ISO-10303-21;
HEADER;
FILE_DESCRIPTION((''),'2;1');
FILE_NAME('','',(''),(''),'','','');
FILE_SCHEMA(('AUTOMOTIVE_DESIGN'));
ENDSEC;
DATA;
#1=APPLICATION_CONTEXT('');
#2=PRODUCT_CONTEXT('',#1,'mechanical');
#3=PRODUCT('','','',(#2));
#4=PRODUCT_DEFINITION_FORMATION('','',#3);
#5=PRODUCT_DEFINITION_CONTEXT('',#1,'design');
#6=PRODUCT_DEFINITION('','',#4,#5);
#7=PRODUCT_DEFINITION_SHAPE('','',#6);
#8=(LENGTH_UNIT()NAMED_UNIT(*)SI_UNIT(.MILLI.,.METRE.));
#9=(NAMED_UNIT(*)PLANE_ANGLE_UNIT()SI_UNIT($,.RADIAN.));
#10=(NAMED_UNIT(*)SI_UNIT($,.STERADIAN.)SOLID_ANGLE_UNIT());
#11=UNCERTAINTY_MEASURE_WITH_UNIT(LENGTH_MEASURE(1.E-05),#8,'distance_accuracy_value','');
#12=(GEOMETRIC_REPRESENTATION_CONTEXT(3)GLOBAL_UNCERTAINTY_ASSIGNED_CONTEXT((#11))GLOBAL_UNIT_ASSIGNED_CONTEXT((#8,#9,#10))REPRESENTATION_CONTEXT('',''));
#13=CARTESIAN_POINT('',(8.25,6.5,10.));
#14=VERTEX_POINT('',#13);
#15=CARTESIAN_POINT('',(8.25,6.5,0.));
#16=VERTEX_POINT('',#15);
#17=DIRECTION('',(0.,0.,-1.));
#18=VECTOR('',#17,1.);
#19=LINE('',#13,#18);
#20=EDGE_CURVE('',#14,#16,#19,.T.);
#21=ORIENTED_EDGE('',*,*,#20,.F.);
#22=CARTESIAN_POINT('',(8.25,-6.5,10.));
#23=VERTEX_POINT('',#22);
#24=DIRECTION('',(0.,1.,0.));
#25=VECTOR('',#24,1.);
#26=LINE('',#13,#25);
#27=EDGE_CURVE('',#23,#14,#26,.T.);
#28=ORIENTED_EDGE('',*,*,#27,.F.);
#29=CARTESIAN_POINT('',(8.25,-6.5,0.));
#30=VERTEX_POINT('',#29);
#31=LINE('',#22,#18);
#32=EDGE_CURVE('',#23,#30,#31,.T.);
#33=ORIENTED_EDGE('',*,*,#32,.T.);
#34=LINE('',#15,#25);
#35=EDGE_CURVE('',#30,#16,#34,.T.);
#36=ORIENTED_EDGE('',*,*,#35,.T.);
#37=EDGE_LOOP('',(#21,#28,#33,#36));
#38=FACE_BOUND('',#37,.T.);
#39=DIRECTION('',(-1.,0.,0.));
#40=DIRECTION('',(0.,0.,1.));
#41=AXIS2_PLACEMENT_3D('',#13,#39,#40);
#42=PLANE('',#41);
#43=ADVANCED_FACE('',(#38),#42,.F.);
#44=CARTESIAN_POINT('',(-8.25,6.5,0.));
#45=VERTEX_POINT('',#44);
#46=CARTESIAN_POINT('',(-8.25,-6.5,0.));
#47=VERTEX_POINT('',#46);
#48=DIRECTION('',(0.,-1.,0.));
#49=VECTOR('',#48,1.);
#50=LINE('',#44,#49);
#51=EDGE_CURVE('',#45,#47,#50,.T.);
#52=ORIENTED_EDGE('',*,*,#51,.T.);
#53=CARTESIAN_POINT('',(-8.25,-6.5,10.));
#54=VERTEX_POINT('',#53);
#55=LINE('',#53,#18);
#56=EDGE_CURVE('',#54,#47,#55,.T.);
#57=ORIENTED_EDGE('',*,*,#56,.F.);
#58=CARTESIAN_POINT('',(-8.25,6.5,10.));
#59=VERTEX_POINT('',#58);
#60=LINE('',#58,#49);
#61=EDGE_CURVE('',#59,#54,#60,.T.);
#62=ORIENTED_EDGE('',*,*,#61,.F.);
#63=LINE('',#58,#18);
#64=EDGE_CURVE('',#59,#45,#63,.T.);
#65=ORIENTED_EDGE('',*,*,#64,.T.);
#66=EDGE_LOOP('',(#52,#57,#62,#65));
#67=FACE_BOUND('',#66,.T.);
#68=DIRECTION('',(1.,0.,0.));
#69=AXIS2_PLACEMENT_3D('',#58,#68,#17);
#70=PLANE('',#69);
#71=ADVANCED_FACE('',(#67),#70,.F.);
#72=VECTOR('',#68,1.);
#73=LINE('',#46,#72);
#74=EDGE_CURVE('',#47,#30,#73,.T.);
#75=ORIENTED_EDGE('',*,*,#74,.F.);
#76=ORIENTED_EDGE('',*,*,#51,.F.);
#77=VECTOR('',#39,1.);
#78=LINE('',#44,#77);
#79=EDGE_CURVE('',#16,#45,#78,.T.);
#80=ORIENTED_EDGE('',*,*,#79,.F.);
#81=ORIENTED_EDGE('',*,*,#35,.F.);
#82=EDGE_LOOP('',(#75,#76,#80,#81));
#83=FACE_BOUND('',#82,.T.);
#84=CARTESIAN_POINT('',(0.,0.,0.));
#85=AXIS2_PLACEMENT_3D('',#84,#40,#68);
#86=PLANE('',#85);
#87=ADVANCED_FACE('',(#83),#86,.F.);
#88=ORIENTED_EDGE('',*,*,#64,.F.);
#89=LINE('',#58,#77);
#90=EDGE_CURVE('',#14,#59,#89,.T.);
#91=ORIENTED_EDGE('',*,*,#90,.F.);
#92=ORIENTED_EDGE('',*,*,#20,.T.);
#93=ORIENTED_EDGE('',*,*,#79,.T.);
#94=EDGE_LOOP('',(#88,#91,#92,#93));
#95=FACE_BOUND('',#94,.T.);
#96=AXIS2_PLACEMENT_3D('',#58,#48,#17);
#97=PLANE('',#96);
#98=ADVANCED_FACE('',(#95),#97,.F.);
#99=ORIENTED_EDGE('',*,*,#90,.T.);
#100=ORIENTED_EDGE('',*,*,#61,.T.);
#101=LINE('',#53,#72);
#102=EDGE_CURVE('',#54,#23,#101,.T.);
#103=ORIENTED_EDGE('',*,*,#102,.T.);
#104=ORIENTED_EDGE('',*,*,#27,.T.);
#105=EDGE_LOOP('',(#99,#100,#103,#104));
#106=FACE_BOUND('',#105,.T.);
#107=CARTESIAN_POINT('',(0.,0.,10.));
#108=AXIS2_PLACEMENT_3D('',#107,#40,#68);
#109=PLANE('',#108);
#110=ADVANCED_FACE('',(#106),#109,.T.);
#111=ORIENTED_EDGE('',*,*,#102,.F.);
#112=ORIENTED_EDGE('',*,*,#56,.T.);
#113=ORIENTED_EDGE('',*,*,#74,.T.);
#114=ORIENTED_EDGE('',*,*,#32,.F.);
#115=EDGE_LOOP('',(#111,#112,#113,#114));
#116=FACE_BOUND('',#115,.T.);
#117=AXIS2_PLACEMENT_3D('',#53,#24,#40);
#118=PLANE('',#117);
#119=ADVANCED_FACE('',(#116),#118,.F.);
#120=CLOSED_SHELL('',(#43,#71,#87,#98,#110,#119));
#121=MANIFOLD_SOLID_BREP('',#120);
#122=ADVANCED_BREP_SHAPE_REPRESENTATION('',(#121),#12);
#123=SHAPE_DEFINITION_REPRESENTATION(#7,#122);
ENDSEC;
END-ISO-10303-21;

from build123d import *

# Parameters (mm, degrees)
SKETCH_1_W      = 16.5
SKETCH_1_H      = 13
EXTRUDE_1_DEPTH = 10


with BuildPart() as part:
    # Эскиз1 → Бобышка-Вытянуть1 (new body)
    with BuildSketch(Plane.XY):
        Rectangle(SKETCH_1_W, SKETCH_1_H)
    extrude(amount=EXTRUDE_1_DEPTH)


solid = part.part
